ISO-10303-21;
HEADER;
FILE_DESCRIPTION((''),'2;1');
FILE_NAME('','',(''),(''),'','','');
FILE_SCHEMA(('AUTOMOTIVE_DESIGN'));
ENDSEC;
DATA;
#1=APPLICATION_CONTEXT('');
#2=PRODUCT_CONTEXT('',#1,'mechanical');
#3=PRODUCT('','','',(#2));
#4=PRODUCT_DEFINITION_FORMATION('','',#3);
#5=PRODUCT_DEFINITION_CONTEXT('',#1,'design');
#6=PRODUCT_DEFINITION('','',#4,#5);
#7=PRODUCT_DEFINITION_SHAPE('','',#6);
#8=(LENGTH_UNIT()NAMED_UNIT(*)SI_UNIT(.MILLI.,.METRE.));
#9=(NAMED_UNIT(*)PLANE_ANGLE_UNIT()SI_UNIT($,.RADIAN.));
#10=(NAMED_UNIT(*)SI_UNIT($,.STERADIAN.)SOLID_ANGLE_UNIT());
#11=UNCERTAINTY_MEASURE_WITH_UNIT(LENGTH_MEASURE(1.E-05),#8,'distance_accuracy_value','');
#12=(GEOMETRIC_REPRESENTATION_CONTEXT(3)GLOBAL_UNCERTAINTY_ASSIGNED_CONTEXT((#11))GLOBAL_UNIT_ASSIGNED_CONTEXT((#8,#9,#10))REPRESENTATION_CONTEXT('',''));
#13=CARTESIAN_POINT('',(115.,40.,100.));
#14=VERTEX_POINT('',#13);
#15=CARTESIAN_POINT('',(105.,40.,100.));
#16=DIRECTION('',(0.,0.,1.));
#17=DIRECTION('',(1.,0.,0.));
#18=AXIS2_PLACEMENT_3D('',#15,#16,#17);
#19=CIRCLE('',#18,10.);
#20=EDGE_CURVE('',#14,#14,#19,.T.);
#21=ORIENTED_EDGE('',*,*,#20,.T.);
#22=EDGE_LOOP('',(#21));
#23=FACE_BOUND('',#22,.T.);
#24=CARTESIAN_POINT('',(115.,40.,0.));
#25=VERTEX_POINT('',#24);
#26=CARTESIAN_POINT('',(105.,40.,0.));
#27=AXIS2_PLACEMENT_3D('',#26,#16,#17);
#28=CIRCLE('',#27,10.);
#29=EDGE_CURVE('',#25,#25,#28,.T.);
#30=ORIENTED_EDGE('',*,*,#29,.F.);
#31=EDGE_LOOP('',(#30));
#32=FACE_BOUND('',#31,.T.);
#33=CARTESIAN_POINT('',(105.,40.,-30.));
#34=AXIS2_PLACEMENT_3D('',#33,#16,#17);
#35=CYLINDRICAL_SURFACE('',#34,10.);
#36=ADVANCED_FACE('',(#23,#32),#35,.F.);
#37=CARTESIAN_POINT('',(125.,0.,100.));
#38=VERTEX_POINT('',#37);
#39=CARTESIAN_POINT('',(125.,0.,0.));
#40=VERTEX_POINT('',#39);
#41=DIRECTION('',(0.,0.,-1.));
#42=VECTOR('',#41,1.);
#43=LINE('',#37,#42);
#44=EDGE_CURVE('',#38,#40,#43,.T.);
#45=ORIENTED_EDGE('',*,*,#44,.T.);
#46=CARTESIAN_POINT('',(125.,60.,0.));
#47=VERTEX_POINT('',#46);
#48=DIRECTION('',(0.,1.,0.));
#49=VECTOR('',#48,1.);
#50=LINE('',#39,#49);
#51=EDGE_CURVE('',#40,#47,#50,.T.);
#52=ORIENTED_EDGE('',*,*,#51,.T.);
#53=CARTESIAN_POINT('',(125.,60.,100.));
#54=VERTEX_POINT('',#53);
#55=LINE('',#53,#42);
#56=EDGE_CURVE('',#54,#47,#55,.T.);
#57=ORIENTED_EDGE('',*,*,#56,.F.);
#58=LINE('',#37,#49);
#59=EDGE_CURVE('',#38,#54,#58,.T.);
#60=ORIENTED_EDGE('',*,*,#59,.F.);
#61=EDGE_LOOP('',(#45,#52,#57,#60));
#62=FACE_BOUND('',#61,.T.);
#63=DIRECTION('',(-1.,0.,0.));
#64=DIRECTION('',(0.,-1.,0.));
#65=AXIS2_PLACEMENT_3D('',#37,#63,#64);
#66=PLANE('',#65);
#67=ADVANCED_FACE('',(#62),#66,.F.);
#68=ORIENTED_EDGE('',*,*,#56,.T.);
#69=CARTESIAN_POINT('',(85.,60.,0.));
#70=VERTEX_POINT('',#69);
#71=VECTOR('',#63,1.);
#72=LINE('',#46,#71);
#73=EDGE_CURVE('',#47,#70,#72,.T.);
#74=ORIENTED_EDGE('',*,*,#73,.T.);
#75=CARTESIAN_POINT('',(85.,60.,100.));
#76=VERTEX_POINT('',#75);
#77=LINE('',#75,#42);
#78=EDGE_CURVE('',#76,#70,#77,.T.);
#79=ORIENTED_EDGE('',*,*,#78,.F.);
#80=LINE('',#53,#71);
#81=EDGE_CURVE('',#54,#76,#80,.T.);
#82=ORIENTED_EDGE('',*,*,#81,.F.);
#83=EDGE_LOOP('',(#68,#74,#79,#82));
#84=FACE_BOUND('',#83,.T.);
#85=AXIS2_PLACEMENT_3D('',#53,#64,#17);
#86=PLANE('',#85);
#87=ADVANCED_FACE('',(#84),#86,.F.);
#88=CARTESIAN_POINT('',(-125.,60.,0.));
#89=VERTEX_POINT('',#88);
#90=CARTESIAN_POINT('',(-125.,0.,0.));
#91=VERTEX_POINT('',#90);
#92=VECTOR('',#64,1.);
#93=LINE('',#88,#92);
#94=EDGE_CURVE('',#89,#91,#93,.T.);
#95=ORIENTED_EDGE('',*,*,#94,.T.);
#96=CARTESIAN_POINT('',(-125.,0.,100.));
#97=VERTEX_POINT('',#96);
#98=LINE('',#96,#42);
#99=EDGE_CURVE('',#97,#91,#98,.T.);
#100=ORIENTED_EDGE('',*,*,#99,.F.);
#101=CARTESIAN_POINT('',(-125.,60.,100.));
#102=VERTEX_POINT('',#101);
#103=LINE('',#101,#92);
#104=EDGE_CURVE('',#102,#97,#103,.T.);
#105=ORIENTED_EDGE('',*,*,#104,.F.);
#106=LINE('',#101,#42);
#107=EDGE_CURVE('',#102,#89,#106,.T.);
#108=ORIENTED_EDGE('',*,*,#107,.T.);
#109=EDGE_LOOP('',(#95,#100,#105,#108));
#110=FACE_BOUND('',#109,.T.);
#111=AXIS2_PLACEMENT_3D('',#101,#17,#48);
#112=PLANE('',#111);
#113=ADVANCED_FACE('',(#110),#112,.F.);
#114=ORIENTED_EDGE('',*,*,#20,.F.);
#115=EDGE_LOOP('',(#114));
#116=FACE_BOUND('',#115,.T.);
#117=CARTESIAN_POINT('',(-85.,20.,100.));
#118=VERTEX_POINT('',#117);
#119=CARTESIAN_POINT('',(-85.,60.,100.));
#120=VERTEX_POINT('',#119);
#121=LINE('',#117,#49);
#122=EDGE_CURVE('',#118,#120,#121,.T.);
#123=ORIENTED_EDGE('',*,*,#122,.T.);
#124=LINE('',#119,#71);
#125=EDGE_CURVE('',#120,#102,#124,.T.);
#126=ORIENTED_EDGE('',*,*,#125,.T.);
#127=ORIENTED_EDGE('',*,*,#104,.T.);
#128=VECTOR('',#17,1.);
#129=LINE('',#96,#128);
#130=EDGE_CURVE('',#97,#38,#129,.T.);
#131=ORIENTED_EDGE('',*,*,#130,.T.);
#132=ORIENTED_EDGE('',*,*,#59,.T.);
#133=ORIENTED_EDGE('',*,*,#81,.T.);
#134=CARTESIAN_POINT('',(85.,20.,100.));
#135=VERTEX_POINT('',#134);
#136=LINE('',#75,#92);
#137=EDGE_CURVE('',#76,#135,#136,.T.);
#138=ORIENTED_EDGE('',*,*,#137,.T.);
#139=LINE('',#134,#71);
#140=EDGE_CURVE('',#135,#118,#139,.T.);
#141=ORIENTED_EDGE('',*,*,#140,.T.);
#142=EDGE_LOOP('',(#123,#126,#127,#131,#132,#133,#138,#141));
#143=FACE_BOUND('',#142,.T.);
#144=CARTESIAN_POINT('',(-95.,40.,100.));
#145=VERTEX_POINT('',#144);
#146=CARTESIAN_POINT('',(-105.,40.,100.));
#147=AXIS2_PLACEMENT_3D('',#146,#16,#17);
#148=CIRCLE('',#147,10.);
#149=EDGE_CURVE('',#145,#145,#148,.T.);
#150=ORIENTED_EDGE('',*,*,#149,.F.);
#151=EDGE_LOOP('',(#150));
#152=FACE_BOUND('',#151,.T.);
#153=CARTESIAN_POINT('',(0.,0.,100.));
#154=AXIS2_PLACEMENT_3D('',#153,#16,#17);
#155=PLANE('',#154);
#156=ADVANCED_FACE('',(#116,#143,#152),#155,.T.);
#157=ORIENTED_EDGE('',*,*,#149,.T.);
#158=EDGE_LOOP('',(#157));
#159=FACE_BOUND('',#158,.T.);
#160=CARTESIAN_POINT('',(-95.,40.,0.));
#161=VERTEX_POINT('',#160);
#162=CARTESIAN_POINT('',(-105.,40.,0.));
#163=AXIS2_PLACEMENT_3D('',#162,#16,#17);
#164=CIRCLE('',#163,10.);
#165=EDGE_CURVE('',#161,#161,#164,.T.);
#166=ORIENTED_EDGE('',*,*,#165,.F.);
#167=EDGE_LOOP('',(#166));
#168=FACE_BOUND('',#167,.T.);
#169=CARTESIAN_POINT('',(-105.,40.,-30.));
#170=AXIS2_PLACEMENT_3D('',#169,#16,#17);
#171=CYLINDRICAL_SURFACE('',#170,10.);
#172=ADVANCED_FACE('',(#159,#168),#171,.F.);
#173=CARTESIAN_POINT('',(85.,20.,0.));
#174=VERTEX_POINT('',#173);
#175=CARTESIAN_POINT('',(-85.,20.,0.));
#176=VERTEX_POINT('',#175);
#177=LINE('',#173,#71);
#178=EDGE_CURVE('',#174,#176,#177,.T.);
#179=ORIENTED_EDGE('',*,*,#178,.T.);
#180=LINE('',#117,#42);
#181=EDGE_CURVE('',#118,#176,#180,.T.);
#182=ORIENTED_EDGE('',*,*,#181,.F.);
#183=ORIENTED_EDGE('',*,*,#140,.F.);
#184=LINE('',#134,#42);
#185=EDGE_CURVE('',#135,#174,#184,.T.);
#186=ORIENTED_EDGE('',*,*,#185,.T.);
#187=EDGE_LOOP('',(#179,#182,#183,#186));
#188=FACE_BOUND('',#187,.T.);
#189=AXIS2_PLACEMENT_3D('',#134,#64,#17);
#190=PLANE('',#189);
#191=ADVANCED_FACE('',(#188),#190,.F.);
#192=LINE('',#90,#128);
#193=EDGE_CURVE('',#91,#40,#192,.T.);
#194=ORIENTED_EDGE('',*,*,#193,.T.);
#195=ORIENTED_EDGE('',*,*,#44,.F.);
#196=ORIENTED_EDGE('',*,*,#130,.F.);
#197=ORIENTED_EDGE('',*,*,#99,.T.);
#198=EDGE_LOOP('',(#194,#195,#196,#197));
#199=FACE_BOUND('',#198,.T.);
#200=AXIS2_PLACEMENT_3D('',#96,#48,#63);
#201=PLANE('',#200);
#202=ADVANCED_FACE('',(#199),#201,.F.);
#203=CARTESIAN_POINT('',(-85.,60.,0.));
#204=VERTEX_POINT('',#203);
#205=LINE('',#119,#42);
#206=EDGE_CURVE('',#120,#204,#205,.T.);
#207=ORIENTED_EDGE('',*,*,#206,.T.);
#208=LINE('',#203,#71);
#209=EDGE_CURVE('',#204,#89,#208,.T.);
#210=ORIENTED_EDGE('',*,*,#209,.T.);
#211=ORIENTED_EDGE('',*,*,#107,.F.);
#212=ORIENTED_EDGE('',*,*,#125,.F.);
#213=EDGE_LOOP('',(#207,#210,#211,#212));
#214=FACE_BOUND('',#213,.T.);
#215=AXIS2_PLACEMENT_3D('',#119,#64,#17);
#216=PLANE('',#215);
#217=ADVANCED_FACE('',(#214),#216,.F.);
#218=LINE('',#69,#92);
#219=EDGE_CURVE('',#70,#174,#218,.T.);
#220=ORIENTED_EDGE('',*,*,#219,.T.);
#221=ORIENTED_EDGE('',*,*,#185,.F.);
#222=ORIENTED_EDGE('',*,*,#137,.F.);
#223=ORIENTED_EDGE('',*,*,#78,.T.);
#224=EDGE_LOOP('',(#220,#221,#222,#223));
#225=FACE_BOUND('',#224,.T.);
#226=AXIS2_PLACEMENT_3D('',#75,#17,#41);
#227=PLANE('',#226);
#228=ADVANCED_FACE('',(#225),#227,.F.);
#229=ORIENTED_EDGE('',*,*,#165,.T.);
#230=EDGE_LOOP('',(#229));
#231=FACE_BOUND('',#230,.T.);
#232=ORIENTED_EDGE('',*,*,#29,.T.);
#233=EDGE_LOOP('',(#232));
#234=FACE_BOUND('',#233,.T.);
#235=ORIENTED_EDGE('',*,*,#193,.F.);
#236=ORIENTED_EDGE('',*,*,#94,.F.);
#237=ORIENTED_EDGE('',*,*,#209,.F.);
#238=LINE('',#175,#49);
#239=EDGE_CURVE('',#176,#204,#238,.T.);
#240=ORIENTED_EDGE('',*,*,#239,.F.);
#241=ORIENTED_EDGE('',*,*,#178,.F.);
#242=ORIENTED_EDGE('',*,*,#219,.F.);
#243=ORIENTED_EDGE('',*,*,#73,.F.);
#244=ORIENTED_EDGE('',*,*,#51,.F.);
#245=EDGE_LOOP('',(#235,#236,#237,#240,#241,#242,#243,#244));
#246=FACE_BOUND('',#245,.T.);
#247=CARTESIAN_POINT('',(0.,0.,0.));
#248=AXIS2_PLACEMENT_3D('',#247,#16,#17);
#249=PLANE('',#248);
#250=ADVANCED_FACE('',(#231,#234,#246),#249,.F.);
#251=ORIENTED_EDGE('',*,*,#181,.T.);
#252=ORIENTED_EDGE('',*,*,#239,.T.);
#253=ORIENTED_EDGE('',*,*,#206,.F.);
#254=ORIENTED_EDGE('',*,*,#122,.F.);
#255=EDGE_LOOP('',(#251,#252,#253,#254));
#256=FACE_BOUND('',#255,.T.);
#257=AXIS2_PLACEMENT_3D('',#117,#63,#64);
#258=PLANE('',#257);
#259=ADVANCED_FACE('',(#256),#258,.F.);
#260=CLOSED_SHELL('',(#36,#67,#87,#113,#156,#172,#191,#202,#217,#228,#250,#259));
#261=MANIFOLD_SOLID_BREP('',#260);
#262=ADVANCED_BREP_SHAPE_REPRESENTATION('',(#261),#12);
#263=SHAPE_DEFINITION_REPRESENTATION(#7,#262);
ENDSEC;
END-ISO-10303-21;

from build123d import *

# Parameters (mm, degrees)
BOSS_EXTRUDE1_DEPTH = 100
SKETCH2_R           = 10
CUT_EXTRUDE1_DEPTH  = 130


with BuildPart() as part:
    # Sketch1 → Boss-Extrude1 (new body)
    with BuildSketch(Plane.XY):
        Polygon((-125, 0), (125, 0), (125, 60), (85, 60), (85, 20), (-85, 20), (-85, 60), (-125, 60), align=None)
    extrude(amount=BOSS_EXTRUDE1_DEPTH)

    # Sketch2 → Cut-Extrude1 (cut)
    with BuildSketch(Plane.XY.offset(100)):
        with Locations((-105, 40)):
            Circle(SKETCH2_R)
        with Locations((105, 40)):
            Circle(SKETCH2_R)
    extrude(amount=-CUT_EXTRUDE1_DEPTH, mode=Mode.SUBTRACT)


solid = part.part
